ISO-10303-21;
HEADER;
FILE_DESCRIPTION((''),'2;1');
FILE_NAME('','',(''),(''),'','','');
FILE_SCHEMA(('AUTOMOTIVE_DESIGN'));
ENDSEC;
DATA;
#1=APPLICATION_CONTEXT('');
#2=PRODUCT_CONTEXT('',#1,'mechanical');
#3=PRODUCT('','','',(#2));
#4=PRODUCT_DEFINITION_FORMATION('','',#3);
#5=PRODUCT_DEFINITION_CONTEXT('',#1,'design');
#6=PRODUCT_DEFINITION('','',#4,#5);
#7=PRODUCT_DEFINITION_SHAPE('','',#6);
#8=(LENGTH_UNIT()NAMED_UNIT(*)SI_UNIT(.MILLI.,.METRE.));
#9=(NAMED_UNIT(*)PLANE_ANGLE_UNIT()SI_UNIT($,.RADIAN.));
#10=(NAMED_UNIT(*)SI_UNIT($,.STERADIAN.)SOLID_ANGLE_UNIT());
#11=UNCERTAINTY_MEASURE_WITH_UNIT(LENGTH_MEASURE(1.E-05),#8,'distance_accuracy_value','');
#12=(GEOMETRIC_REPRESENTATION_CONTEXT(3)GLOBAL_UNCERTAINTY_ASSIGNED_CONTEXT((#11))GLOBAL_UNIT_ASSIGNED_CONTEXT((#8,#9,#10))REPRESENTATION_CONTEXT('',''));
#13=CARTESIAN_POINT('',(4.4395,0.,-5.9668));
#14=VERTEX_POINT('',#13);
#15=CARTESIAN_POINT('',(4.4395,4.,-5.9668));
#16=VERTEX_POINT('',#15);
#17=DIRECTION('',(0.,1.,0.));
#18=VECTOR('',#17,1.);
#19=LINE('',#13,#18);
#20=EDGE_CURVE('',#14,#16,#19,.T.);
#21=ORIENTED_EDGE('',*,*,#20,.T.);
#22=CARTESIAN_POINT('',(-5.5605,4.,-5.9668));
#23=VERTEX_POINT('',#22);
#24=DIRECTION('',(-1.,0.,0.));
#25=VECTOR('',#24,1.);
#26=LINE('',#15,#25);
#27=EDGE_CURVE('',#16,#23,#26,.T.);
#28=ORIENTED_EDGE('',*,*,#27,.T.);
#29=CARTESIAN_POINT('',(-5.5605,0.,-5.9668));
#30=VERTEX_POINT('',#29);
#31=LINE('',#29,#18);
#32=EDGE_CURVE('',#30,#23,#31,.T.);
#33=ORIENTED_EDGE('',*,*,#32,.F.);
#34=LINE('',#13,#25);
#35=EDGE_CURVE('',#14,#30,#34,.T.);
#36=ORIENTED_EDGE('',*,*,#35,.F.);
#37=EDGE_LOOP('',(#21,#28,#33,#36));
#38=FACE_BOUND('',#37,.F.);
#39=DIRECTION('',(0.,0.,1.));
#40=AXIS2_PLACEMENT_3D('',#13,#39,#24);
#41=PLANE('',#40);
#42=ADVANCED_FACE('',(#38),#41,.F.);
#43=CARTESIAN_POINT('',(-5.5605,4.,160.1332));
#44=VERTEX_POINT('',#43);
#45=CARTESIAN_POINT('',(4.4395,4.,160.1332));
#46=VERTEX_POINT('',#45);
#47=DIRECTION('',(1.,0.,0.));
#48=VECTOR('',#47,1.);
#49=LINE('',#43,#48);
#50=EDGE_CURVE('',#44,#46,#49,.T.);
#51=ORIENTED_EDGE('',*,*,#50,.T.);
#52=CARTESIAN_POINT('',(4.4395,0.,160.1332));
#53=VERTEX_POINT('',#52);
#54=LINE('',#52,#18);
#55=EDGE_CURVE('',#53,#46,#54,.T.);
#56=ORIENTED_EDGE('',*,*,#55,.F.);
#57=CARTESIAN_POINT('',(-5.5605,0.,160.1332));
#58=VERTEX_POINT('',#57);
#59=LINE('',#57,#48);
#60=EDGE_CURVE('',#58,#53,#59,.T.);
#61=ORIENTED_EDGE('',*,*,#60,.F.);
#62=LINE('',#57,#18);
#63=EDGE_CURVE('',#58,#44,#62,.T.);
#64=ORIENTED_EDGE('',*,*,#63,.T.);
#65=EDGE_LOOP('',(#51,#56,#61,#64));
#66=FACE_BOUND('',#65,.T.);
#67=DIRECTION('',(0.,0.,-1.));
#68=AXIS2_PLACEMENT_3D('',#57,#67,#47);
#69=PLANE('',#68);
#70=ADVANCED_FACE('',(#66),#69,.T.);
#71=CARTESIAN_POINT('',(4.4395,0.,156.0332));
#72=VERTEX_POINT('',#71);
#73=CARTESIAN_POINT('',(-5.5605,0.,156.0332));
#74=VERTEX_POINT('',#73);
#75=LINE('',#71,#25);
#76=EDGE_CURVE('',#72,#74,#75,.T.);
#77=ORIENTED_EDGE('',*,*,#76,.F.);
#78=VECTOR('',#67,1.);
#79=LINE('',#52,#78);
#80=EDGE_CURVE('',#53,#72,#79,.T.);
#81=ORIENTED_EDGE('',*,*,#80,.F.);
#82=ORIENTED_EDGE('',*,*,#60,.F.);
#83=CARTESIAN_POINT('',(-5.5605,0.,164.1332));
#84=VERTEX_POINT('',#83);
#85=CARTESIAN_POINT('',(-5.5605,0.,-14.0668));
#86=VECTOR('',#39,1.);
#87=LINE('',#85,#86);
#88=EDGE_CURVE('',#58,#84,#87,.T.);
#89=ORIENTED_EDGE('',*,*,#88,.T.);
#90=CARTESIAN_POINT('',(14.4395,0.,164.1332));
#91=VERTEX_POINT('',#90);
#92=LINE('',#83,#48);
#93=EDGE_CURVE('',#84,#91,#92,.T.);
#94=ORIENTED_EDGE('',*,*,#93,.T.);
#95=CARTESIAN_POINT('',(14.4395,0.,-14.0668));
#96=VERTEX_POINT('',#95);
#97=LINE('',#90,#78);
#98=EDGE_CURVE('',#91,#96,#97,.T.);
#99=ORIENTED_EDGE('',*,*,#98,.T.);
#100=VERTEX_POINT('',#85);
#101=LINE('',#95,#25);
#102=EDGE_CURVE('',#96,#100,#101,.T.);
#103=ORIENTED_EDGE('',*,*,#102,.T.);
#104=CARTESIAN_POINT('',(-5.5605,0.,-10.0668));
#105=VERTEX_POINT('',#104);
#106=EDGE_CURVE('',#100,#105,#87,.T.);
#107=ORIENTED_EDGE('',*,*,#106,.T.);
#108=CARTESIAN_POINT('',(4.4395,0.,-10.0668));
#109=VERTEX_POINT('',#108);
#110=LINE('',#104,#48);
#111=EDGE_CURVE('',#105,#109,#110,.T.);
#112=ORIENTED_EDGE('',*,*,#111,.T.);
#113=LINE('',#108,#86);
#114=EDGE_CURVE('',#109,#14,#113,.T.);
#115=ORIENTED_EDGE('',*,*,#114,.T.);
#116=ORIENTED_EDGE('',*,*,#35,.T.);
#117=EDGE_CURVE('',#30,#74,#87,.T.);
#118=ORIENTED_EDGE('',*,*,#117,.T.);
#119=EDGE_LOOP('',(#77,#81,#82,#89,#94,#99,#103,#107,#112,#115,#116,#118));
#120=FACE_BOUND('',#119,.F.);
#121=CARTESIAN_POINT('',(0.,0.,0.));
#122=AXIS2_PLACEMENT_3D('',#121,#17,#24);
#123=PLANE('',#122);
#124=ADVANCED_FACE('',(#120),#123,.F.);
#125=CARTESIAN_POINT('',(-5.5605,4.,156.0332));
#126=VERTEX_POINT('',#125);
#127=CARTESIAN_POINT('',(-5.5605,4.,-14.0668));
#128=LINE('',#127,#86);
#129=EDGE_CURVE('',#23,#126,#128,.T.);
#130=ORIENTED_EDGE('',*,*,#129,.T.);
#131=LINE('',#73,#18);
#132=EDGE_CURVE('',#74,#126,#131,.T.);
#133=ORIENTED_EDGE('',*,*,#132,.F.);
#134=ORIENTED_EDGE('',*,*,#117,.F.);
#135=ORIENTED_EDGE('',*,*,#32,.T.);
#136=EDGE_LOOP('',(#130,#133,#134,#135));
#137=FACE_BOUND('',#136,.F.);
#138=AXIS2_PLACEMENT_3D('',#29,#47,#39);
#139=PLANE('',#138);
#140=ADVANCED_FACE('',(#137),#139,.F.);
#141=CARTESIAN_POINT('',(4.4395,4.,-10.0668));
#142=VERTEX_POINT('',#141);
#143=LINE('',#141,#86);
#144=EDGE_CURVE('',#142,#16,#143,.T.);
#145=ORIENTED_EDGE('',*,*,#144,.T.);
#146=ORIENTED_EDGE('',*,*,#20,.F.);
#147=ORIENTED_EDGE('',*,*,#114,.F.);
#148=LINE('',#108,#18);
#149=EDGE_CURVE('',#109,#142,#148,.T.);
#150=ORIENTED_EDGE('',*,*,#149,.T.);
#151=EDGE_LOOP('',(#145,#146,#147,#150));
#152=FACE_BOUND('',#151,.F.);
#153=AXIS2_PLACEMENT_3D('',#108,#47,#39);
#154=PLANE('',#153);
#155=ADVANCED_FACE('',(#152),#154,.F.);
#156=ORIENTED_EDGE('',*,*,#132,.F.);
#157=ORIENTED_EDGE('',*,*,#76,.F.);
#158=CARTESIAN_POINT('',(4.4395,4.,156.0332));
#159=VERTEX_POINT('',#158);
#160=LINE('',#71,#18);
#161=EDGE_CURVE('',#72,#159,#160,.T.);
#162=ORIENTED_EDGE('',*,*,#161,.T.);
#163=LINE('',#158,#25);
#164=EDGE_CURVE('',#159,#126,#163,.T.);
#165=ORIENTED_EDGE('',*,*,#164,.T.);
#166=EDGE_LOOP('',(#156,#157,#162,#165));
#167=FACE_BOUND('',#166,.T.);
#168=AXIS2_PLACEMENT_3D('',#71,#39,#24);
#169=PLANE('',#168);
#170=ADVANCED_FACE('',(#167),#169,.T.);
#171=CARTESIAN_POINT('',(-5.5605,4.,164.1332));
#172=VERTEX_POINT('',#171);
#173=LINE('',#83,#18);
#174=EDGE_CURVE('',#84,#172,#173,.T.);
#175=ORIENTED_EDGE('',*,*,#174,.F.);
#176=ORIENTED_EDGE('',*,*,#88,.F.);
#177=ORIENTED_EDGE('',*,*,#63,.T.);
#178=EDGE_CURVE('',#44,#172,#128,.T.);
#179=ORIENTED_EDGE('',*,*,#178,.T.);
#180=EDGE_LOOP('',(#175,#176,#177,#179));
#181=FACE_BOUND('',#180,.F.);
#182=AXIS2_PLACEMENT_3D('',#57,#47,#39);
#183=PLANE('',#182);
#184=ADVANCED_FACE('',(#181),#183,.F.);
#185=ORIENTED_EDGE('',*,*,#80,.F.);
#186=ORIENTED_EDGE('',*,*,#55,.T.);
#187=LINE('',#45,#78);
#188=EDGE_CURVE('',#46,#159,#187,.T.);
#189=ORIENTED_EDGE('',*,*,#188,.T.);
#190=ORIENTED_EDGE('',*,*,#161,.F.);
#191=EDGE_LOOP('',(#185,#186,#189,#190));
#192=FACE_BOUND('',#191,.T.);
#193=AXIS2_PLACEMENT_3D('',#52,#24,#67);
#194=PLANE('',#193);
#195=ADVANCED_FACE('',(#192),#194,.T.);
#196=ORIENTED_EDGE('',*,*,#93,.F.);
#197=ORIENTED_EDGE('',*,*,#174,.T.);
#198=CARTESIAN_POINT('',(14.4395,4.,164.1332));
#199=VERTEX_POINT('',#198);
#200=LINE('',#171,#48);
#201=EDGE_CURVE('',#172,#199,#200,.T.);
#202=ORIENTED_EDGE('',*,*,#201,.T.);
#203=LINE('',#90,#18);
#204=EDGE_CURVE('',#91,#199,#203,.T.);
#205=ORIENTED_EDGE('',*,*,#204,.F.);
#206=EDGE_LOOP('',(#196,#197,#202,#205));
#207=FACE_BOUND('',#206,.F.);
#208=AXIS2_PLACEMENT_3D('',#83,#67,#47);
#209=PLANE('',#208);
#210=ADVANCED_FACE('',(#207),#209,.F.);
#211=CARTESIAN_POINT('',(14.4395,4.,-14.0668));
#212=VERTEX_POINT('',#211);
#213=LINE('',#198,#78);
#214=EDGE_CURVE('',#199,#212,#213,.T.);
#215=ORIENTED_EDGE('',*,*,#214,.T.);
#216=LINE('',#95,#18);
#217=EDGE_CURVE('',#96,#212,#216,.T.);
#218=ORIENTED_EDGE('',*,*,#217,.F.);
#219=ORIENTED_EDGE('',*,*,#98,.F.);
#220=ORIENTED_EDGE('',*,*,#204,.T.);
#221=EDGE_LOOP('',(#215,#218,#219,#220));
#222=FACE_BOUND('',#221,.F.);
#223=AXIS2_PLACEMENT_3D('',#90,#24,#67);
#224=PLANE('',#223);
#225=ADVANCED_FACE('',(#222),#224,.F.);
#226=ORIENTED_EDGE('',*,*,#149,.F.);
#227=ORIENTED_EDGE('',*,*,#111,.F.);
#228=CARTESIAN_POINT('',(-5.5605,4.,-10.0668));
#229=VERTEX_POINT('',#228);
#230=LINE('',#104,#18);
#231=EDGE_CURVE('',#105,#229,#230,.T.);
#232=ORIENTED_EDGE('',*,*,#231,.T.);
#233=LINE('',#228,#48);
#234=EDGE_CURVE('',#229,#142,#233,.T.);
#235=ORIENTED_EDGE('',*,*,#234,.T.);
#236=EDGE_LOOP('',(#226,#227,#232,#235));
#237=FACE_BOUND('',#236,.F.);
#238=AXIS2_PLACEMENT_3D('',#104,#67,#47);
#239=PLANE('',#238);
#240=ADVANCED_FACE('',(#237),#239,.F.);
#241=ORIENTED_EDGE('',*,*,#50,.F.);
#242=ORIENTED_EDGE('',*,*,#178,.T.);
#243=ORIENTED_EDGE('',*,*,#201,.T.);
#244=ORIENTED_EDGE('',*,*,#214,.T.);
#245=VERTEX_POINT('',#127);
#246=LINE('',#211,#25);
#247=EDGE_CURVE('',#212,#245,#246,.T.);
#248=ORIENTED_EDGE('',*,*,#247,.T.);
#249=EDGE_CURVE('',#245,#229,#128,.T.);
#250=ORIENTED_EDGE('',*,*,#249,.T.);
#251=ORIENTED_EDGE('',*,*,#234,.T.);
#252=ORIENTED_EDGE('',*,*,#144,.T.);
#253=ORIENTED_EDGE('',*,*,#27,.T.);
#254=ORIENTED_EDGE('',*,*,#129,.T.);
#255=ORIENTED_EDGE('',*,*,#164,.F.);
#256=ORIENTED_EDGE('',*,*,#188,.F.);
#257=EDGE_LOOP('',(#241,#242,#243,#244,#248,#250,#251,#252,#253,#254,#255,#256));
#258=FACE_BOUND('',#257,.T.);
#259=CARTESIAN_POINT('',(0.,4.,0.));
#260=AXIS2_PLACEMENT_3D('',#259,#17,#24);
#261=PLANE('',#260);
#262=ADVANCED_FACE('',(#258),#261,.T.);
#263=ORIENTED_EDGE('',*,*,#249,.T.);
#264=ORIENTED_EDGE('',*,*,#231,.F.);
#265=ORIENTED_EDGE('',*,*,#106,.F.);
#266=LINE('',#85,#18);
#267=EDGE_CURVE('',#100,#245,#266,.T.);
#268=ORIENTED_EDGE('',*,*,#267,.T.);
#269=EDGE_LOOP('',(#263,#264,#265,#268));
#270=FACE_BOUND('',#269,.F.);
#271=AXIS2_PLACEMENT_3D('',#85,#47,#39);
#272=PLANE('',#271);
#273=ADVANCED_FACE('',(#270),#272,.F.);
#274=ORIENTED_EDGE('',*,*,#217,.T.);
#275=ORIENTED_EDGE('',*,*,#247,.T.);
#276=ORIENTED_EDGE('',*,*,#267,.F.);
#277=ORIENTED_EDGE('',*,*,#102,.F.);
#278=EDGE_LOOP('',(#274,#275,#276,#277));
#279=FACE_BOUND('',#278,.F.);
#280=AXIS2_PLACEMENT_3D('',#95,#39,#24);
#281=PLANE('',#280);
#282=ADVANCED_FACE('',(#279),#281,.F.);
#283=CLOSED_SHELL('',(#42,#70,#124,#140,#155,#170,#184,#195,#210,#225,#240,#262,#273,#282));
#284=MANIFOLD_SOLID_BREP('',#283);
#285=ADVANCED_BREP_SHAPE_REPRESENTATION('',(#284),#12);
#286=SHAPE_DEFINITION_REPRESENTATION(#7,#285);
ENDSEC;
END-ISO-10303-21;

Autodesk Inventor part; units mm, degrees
ref_plane "YZ Plane" through (0, 0, 0) normal (1, 0, 0) x (0, 1, 0)
ref_plane "XZ Plane" through (0, 0, 0) normal (0, 1, 0) x (-1, 0, 0)
ref_plane "XY Plane" through (0, 0, 0) normal (0, 0, 1) x (1, 0, 0)
sketch "Sketch2" plane through (0, 0, 0) normal (0, 1, 0) x (-1, 0, 0)
  line L0 (5.5605, 164.1332) -> (-14.4395, 164.1332)
  line L1 (-14.4395, 164.1332) -> (-14.4395, -14.0668)
  line L2 (-14.4395, -14.0668) -> (5.5605, -14.0668)
  line L3 (5.5605, -14.0668) -> (5.5605, 164.1332)
  line L4 (5.5605, -10.0668) -> (-4.4395, -10.0668)
  line L5 (-4.4395, -10.0668) -> (-4.4395, -5.9668)
  line L6 (-4.4395, -5.9668) -> (5.5605, -5.9668)
  line L7 (5.5605, -5.9668) -> (5.5605, -10.0668)
  line L8 (5.5605, 160.1332) -> (-4.4395, 160.1332)
  line L9 (-4.4395, 160.1332) -> (-4.4395, 156.0332)
  line L10 (-4.4395, 156.0332) -> (5.5605, 156.0332)
  line L11 (5.5605, 156.0332) -> (5.5605, 160.1332)
  point P0 (0, 0)
  point P1 (5.5605, -5.9668)
  dimension "d8" = 178.2
  dimension "d9" = 20
  dimension "d10" = 4.1
  dimension "d11" = 4
  dimension "d12" = 10
  dimension "d15" = 4.1
  dimension "d16" = 4
  dimension "d17" = 10
extrude "Extrusion2" add sketch "Sketch2" along normal blind 4 contours L3 L8 L9 L10 L6 L5 L4 L2 L1 L0
properties part number "Seguro inf 1"
